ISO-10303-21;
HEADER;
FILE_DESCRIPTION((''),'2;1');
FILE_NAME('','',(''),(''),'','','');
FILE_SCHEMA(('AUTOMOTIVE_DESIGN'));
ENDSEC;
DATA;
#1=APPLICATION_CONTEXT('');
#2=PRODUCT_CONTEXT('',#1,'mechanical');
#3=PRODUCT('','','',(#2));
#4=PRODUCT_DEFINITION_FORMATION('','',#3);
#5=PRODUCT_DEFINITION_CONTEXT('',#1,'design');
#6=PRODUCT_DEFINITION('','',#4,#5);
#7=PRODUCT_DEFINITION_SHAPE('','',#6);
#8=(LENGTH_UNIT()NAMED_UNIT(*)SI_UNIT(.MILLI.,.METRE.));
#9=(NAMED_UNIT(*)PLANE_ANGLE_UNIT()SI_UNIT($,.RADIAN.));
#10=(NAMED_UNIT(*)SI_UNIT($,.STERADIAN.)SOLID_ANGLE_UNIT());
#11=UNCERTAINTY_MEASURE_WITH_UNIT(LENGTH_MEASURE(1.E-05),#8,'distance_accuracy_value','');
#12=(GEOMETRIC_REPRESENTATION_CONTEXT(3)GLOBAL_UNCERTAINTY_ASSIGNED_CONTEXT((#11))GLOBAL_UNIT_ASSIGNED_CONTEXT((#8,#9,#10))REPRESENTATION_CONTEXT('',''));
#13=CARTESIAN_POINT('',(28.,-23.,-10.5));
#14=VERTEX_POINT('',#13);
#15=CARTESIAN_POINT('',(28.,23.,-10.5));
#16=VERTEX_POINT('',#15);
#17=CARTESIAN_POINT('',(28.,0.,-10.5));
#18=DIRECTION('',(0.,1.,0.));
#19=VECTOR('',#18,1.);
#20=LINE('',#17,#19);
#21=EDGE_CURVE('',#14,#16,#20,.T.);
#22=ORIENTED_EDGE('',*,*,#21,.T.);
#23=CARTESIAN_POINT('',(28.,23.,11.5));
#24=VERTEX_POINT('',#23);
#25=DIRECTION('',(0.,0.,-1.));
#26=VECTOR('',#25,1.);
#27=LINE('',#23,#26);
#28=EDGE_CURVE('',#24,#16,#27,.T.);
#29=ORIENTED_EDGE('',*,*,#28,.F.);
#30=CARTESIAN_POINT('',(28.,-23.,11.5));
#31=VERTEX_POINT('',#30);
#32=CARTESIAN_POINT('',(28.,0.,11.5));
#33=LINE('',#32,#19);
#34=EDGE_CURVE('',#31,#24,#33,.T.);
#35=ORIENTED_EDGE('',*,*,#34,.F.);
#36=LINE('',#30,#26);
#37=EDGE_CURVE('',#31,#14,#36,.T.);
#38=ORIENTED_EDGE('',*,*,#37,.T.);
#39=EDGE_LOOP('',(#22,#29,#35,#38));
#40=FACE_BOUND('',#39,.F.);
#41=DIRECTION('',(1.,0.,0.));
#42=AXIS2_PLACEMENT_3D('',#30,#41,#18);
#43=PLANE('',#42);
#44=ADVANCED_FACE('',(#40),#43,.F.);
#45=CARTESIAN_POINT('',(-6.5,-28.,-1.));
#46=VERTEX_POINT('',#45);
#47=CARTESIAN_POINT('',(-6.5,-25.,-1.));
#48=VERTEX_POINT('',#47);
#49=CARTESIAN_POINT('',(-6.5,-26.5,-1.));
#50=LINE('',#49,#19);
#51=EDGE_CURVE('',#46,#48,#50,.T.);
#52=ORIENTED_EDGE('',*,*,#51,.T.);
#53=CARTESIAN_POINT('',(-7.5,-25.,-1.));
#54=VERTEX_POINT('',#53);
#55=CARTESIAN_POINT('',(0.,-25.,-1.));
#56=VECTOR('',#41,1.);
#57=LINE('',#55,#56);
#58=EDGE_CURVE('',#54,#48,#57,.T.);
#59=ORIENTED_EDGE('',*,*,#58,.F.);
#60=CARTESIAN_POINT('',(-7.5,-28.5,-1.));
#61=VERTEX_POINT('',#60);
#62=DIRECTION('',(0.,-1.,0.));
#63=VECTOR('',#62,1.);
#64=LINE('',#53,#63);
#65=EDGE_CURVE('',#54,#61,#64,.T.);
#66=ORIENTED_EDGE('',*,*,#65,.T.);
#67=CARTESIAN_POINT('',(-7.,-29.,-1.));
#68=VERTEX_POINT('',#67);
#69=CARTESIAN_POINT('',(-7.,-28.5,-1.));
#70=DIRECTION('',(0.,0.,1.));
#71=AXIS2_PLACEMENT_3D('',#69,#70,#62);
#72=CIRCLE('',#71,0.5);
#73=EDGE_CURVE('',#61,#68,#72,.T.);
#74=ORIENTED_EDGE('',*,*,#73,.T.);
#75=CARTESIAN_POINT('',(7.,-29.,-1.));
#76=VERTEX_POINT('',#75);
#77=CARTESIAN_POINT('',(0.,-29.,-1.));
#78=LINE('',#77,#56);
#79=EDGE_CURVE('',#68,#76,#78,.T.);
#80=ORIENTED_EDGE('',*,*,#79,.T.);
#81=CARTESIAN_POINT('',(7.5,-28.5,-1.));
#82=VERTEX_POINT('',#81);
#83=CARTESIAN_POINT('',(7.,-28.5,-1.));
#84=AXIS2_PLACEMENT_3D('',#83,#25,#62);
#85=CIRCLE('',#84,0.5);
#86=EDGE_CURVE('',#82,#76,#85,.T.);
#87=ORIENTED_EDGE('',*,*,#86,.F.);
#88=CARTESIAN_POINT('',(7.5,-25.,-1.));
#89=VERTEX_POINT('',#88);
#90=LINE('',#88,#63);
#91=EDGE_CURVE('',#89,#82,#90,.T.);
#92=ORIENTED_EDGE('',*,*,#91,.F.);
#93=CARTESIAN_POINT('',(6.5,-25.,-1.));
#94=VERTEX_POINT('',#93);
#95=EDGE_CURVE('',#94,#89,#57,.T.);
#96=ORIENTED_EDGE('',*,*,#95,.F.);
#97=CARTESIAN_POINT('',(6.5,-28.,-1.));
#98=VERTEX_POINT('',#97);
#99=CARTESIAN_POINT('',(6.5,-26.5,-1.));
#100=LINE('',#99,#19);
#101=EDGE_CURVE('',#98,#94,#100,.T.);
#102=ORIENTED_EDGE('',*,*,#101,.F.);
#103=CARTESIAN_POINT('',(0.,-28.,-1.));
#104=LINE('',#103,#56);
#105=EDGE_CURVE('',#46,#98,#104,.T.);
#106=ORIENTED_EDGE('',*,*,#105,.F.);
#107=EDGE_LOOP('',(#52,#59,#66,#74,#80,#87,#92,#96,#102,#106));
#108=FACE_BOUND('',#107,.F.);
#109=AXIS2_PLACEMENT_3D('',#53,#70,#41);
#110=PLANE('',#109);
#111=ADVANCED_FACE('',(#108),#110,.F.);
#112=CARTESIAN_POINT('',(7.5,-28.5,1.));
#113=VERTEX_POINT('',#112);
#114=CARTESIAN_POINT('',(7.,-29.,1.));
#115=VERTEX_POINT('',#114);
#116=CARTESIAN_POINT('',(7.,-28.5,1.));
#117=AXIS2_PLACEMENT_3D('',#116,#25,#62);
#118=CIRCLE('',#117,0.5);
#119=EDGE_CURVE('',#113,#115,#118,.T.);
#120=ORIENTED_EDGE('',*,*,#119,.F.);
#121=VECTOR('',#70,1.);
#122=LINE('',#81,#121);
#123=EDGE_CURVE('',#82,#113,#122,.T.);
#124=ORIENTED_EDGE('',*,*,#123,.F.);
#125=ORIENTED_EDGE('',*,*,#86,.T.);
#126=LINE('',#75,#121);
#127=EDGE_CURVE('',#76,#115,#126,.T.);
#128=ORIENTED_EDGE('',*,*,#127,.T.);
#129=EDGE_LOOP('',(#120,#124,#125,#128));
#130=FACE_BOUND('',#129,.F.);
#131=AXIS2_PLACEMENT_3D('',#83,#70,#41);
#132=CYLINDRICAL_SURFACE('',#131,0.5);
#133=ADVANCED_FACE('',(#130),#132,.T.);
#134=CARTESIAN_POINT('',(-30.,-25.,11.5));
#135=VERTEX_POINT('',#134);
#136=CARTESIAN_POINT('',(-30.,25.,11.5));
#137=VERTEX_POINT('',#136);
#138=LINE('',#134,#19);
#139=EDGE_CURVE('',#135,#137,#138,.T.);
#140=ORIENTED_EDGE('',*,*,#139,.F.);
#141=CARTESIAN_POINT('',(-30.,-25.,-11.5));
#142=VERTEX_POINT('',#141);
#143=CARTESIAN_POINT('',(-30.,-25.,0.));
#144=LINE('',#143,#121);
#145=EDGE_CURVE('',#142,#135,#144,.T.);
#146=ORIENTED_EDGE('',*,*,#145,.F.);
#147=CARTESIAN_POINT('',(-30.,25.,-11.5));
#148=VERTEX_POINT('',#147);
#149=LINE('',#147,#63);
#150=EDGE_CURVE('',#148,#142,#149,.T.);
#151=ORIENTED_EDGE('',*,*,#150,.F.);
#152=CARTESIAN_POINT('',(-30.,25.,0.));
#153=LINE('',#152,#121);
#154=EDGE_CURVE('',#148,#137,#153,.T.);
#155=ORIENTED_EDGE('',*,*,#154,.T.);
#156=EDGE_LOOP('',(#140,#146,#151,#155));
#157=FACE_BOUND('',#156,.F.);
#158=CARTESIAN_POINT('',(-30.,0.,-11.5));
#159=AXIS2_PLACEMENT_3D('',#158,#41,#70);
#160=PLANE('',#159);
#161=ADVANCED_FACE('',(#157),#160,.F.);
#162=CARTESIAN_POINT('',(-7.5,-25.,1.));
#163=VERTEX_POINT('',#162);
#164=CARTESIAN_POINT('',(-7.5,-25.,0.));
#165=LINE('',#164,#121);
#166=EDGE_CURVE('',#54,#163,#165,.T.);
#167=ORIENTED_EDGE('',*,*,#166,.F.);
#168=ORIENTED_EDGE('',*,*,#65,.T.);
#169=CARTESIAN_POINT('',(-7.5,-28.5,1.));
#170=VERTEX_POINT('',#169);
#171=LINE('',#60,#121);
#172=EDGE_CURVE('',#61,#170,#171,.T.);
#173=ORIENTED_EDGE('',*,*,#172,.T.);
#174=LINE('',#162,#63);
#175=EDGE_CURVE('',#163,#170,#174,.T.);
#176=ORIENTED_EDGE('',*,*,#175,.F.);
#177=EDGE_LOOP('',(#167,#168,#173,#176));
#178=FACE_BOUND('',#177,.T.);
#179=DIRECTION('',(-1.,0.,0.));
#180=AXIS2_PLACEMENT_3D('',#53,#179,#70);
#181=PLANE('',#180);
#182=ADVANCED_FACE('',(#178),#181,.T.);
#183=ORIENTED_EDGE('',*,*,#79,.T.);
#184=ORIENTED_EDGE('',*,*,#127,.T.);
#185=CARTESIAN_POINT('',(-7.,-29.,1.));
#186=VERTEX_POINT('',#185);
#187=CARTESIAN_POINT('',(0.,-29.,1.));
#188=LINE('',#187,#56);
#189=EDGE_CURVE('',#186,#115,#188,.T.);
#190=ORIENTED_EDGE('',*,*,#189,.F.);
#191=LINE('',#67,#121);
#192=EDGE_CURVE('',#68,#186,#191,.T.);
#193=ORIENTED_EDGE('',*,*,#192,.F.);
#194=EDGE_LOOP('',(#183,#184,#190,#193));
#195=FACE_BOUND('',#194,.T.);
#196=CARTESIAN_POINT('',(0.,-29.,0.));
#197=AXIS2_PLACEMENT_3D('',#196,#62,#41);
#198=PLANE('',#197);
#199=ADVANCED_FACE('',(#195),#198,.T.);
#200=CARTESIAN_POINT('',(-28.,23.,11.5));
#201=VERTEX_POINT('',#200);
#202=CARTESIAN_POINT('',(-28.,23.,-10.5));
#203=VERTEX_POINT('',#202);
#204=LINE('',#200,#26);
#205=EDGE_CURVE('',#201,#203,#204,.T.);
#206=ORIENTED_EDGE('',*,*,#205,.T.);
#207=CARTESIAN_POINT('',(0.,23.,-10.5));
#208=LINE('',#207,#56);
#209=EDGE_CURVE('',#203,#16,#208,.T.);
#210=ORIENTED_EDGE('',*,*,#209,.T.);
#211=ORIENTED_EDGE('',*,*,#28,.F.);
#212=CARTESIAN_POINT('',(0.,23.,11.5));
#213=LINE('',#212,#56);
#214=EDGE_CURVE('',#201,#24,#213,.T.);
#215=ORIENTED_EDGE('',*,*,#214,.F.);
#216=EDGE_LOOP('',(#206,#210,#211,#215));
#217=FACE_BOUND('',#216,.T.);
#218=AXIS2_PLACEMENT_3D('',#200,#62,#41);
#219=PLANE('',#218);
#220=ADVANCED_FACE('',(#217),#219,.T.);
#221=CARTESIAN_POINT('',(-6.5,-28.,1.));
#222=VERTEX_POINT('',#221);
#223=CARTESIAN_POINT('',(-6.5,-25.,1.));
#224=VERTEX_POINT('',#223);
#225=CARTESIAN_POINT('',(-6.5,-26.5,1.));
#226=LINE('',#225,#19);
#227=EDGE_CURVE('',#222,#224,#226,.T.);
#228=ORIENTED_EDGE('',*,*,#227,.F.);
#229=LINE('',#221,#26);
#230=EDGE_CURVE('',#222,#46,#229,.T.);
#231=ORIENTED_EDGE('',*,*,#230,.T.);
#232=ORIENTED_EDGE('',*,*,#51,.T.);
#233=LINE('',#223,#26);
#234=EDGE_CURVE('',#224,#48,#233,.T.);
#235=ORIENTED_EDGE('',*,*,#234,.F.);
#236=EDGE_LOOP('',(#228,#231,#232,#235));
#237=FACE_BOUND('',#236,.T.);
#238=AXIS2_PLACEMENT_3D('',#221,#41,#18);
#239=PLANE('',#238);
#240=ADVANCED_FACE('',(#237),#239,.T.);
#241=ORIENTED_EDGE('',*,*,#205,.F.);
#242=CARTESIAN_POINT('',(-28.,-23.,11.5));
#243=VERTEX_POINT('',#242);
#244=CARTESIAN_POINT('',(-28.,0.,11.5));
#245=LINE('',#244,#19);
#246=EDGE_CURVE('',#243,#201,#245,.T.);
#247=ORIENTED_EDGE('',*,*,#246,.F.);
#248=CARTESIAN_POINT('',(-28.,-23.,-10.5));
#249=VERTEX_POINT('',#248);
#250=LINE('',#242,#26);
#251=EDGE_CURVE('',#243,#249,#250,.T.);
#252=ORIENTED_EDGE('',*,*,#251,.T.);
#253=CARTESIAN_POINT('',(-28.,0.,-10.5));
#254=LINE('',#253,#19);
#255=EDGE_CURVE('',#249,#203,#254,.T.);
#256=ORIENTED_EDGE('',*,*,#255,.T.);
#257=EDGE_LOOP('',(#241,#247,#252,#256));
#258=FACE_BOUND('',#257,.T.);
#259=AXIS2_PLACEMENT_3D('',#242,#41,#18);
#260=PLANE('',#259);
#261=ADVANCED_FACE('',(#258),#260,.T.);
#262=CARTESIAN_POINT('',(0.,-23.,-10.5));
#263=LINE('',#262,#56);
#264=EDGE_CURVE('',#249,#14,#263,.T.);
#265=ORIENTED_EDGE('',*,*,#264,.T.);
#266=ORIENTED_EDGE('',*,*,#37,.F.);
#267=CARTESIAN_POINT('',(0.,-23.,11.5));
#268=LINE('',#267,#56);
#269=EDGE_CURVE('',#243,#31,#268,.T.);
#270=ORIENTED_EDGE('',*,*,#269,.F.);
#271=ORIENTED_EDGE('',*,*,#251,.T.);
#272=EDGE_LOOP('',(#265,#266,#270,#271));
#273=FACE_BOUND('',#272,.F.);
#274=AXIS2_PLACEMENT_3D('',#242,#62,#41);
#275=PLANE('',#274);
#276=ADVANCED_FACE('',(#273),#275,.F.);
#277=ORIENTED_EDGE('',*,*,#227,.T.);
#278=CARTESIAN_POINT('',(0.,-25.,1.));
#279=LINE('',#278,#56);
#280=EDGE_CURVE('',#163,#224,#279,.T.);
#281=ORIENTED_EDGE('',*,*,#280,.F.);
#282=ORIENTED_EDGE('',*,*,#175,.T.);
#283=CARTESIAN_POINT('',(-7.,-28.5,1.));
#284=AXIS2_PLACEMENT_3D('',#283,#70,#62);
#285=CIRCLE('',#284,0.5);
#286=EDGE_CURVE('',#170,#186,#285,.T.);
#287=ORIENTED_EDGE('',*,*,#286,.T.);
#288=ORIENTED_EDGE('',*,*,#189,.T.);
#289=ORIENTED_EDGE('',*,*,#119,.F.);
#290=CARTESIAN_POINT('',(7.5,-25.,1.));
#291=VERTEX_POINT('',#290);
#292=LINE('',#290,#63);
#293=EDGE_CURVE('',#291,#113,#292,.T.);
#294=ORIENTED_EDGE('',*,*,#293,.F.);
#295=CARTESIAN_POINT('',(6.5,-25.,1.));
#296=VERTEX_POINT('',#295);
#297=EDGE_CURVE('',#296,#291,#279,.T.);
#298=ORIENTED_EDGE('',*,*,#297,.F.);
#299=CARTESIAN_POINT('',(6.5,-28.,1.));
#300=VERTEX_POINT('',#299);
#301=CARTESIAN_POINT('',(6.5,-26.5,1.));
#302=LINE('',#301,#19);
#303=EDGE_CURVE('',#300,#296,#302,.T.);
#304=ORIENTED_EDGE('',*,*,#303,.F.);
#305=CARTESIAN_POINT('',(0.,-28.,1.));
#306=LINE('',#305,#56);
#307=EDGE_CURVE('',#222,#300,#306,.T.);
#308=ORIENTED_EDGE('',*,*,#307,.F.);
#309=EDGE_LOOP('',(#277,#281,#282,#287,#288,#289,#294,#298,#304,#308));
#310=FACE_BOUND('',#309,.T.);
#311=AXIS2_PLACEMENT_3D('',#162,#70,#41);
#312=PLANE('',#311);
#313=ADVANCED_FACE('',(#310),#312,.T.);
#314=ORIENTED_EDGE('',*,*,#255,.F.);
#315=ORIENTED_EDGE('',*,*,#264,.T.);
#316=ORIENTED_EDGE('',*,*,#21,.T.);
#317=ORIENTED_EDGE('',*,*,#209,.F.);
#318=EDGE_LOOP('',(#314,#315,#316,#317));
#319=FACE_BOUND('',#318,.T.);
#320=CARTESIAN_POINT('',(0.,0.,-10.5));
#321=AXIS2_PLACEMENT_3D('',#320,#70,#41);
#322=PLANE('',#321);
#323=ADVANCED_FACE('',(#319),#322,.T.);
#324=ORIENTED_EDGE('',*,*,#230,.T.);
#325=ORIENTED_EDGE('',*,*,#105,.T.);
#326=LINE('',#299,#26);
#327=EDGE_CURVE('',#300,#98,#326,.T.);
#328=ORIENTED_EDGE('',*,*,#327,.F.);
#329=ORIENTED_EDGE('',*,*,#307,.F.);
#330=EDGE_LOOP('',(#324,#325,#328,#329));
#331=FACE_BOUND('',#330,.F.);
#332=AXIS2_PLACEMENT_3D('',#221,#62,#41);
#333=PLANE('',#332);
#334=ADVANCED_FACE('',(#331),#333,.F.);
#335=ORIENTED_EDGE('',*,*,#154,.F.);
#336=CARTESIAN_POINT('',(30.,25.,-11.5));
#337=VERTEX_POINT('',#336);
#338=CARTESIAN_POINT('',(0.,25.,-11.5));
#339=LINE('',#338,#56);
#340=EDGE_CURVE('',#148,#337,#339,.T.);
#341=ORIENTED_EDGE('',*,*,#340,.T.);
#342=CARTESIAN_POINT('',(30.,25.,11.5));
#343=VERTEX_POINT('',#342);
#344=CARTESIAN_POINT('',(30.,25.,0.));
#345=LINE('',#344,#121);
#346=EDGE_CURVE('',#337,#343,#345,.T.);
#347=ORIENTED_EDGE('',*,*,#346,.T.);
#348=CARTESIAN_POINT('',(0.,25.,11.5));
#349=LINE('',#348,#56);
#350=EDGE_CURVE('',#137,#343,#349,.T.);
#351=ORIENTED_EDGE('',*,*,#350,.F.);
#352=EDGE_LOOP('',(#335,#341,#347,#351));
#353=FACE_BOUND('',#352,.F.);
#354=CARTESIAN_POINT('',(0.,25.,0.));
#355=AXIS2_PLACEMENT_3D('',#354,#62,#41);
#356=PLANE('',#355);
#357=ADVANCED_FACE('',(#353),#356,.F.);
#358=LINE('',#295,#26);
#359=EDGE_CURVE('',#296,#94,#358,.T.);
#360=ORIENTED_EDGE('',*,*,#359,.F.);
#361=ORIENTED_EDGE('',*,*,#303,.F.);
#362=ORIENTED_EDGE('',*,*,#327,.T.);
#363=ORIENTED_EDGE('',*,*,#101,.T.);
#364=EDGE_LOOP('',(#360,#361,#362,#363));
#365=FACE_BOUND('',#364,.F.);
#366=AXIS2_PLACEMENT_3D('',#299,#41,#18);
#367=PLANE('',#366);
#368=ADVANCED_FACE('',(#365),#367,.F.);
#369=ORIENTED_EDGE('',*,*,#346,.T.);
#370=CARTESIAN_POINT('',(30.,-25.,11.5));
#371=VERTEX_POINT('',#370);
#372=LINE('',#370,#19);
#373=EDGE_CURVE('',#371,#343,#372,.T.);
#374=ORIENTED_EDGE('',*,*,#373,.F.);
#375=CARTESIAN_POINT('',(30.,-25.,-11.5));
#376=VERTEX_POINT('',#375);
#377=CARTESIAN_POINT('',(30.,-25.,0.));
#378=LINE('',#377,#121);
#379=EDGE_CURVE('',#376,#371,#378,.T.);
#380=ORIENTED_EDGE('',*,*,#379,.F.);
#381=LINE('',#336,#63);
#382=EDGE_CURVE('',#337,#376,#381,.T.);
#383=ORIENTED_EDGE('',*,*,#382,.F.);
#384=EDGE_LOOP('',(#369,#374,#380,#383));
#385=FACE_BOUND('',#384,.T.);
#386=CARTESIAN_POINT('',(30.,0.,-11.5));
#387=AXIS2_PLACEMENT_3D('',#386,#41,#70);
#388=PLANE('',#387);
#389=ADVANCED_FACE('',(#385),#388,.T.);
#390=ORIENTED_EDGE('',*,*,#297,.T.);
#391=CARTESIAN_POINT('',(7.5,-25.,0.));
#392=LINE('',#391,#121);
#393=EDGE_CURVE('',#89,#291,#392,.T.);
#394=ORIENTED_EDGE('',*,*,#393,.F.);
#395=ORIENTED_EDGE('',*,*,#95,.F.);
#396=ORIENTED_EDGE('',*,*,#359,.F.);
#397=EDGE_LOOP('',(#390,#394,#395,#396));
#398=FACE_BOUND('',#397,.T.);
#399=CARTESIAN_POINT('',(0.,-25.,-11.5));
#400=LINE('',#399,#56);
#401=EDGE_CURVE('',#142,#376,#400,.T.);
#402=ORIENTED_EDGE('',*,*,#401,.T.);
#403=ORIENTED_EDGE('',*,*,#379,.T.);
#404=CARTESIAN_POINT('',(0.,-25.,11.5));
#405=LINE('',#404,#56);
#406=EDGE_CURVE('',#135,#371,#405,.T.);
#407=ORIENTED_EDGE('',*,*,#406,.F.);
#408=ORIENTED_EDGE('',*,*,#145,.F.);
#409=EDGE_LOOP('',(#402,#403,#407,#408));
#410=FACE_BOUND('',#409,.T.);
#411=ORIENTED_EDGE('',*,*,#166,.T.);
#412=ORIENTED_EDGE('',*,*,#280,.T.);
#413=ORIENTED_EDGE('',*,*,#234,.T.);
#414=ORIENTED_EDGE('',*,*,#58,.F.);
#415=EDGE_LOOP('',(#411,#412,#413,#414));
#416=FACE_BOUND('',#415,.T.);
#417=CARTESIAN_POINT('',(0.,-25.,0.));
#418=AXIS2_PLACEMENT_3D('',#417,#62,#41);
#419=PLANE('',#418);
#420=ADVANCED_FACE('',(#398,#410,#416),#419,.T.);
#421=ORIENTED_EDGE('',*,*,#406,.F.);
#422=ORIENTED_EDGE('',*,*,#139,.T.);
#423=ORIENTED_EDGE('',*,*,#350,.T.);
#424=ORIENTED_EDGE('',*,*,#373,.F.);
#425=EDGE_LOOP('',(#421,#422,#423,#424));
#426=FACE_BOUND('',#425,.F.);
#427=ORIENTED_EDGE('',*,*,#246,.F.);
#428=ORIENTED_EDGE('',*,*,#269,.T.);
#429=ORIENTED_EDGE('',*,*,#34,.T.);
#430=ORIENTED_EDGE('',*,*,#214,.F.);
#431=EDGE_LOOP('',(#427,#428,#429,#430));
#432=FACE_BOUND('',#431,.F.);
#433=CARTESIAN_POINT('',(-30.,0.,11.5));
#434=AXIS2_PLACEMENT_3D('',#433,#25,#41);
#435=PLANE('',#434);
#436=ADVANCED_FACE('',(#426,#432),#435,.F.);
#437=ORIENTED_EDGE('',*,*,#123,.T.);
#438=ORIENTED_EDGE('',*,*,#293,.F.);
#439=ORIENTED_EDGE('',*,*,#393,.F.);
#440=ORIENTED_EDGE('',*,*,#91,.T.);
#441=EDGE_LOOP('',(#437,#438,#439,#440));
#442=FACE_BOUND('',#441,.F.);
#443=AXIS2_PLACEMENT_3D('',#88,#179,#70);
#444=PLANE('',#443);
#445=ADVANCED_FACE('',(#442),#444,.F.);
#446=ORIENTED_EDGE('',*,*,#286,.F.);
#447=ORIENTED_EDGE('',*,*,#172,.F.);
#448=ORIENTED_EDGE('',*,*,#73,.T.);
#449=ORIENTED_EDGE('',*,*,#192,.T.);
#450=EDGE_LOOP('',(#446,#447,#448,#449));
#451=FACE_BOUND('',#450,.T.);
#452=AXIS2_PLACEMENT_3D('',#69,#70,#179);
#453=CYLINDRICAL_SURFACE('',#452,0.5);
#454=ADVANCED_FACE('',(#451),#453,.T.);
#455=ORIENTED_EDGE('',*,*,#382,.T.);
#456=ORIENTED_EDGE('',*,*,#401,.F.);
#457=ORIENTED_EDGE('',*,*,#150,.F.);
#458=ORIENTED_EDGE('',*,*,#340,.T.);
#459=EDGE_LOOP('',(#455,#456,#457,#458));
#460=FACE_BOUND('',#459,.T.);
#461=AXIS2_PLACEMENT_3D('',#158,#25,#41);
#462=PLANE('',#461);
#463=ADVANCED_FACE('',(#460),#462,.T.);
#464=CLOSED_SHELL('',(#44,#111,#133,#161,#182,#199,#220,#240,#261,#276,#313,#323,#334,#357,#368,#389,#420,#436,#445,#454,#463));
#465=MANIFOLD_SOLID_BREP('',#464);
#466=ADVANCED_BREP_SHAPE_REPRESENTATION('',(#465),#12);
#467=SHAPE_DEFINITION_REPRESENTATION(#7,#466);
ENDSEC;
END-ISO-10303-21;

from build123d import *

# Parameters (mm, degrees)
F0_W     = 60
F0_H     = 23
F1_DEPTH = 25
F2_W     = 56
F2_H     = 46
F3_DEPTH = 22
F4_W     = 15
F4_H     = 2
F5_DEPTH = 4
F6_W     = 13
F6_H     = 3
F7_DEPTH = 2
F8_R     = 0.5


with BuildPart() as f1:
    # F0 (on Front) → F1 (new body, symmetric)
    with BuildSketch(Plane.XZ):
        Rectangle(F0_W, F0_H)
    extrude(amount=F1_DEPTH, both=True)

    # F2 (on face) → F3 (cut)
    with BuildSketch(Plane.XY.offset(11.5)):
        Rectangle(F2_W, F2_H)
    extrude(amount=-F3_DEPTH, mode=Mode.SUBTRACT)

    # F4 (on face) → F5 (join)
    with BuildSketch(Plane.XZ.offset(25)):
        Rectangle(F4_W, F4_H)
    extrude(amount=F5_DEPTH)

    # F6 (on face) → F7 (cut)
    with BuildSketch(Plane.XY.offset(1)):
        with Locations((0, -26.5)):
            Rectangle(F6_W, F6_H)
    extrude(amount=-F7_DEPTH, mode=Mode.SUBTRACT)

    # F8
    f8_edges = [f1.edges().sort_by_distance(p)[0] for p in [
        (-7.5, -29, 0),
        (7.5, -29, 0),
    ]]
    fillet(f8_edges, radius=F8_R)


solid = f1.part
